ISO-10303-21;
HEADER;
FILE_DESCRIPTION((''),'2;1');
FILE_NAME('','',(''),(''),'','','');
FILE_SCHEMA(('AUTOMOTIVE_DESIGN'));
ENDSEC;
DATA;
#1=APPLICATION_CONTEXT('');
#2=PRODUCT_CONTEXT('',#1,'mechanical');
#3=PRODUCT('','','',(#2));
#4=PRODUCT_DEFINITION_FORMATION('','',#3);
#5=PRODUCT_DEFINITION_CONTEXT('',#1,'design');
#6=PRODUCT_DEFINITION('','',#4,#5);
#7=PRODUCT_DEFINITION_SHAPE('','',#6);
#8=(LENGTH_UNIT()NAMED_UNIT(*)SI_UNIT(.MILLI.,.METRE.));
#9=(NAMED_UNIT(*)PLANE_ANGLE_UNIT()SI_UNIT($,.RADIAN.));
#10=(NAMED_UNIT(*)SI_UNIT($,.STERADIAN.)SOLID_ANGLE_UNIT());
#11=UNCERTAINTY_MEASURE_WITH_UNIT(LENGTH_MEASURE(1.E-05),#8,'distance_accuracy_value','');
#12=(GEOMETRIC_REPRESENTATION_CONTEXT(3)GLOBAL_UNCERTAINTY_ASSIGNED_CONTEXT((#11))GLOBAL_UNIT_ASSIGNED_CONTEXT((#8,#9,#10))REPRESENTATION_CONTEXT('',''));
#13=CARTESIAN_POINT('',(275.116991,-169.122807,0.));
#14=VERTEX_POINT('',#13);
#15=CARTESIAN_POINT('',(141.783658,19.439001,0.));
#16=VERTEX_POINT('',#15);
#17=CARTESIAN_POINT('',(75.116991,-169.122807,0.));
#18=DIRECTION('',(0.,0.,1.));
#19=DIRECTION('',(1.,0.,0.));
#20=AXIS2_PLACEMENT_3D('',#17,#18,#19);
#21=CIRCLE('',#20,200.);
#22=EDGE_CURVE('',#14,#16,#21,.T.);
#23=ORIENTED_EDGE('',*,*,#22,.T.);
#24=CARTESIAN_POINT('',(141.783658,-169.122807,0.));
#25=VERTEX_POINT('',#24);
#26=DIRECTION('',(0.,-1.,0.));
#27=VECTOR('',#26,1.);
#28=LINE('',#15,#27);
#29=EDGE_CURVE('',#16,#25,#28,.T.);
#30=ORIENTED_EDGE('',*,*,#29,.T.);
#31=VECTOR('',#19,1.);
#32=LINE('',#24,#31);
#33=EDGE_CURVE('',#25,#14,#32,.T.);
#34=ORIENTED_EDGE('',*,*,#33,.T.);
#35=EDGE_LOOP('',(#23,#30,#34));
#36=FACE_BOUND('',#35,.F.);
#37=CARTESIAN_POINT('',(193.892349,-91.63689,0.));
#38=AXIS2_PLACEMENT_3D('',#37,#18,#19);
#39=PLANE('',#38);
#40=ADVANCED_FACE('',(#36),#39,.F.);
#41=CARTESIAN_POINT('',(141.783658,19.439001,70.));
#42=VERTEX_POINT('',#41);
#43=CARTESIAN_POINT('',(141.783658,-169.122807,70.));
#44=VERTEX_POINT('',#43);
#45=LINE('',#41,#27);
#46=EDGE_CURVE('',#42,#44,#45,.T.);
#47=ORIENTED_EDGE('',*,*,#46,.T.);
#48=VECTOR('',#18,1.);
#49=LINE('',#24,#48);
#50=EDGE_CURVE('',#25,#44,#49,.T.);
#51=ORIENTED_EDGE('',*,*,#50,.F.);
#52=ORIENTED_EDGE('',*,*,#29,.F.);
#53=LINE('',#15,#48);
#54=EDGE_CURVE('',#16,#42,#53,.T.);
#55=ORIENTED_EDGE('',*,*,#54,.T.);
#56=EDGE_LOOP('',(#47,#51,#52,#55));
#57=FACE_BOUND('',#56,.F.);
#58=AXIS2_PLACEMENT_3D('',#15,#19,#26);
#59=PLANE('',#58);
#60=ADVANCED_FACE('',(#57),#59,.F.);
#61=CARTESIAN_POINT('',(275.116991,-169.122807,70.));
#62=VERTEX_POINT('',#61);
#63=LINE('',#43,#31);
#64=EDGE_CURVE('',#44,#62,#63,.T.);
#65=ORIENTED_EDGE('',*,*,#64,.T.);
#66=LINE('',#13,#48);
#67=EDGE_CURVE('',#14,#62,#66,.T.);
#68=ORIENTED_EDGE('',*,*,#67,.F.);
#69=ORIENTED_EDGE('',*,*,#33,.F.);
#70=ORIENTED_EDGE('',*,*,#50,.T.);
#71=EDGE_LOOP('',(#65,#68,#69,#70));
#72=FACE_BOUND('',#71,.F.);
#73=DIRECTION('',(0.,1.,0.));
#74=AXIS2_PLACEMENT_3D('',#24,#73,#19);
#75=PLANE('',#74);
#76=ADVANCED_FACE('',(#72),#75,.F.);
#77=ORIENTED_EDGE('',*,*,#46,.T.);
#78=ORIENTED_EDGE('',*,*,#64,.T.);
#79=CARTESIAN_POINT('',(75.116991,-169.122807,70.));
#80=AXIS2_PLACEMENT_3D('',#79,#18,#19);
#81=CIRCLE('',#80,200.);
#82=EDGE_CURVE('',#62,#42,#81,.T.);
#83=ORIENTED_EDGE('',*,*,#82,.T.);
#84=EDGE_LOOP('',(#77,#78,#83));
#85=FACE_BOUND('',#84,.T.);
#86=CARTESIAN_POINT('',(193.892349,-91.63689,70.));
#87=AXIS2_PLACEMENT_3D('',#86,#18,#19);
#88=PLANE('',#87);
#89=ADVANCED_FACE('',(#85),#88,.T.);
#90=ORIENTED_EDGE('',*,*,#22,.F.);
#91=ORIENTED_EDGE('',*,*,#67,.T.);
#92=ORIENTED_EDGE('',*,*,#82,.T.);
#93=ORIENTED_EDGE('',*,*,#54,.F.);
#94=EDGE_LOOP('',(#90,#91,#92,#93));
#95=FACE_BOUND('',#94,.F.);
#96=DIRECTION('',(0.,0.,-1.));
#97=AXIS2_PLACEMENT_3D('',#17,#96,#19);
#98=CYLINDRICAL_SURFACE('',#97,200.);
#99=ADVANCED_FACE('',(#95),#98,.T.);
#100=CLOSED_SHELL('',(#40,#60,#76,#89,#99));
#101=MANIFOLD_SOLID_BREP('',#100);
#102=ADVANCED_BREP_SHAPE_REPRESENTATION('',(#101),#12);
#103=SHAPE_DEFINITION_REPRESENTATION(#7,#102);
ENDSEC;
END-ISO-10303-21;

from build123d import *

# Parameters (mm, degrees)
BOSS_EXTRU_4_DEPTH = 70


with BuildPart() as part:
    # Esquisse2 → Boss.-Extru.4 (new body)
    with BuildSketch(Plane.XY):
        with BuildLine():
            Line((141.783657827, -169.122807018), (275.116991161, -169.122807018))
            ThreePointArc((275.116991161, -169.122807018), (238.416307346, -53.65275318), (141.783657827, 19.439001299))
            Line((141.783657827, 19.439001299), (141.783657827, -169.122807018))
        make_face()
    extrude(amount=BOSS_EXTRU_4_DEPTH)


solid = part.part
